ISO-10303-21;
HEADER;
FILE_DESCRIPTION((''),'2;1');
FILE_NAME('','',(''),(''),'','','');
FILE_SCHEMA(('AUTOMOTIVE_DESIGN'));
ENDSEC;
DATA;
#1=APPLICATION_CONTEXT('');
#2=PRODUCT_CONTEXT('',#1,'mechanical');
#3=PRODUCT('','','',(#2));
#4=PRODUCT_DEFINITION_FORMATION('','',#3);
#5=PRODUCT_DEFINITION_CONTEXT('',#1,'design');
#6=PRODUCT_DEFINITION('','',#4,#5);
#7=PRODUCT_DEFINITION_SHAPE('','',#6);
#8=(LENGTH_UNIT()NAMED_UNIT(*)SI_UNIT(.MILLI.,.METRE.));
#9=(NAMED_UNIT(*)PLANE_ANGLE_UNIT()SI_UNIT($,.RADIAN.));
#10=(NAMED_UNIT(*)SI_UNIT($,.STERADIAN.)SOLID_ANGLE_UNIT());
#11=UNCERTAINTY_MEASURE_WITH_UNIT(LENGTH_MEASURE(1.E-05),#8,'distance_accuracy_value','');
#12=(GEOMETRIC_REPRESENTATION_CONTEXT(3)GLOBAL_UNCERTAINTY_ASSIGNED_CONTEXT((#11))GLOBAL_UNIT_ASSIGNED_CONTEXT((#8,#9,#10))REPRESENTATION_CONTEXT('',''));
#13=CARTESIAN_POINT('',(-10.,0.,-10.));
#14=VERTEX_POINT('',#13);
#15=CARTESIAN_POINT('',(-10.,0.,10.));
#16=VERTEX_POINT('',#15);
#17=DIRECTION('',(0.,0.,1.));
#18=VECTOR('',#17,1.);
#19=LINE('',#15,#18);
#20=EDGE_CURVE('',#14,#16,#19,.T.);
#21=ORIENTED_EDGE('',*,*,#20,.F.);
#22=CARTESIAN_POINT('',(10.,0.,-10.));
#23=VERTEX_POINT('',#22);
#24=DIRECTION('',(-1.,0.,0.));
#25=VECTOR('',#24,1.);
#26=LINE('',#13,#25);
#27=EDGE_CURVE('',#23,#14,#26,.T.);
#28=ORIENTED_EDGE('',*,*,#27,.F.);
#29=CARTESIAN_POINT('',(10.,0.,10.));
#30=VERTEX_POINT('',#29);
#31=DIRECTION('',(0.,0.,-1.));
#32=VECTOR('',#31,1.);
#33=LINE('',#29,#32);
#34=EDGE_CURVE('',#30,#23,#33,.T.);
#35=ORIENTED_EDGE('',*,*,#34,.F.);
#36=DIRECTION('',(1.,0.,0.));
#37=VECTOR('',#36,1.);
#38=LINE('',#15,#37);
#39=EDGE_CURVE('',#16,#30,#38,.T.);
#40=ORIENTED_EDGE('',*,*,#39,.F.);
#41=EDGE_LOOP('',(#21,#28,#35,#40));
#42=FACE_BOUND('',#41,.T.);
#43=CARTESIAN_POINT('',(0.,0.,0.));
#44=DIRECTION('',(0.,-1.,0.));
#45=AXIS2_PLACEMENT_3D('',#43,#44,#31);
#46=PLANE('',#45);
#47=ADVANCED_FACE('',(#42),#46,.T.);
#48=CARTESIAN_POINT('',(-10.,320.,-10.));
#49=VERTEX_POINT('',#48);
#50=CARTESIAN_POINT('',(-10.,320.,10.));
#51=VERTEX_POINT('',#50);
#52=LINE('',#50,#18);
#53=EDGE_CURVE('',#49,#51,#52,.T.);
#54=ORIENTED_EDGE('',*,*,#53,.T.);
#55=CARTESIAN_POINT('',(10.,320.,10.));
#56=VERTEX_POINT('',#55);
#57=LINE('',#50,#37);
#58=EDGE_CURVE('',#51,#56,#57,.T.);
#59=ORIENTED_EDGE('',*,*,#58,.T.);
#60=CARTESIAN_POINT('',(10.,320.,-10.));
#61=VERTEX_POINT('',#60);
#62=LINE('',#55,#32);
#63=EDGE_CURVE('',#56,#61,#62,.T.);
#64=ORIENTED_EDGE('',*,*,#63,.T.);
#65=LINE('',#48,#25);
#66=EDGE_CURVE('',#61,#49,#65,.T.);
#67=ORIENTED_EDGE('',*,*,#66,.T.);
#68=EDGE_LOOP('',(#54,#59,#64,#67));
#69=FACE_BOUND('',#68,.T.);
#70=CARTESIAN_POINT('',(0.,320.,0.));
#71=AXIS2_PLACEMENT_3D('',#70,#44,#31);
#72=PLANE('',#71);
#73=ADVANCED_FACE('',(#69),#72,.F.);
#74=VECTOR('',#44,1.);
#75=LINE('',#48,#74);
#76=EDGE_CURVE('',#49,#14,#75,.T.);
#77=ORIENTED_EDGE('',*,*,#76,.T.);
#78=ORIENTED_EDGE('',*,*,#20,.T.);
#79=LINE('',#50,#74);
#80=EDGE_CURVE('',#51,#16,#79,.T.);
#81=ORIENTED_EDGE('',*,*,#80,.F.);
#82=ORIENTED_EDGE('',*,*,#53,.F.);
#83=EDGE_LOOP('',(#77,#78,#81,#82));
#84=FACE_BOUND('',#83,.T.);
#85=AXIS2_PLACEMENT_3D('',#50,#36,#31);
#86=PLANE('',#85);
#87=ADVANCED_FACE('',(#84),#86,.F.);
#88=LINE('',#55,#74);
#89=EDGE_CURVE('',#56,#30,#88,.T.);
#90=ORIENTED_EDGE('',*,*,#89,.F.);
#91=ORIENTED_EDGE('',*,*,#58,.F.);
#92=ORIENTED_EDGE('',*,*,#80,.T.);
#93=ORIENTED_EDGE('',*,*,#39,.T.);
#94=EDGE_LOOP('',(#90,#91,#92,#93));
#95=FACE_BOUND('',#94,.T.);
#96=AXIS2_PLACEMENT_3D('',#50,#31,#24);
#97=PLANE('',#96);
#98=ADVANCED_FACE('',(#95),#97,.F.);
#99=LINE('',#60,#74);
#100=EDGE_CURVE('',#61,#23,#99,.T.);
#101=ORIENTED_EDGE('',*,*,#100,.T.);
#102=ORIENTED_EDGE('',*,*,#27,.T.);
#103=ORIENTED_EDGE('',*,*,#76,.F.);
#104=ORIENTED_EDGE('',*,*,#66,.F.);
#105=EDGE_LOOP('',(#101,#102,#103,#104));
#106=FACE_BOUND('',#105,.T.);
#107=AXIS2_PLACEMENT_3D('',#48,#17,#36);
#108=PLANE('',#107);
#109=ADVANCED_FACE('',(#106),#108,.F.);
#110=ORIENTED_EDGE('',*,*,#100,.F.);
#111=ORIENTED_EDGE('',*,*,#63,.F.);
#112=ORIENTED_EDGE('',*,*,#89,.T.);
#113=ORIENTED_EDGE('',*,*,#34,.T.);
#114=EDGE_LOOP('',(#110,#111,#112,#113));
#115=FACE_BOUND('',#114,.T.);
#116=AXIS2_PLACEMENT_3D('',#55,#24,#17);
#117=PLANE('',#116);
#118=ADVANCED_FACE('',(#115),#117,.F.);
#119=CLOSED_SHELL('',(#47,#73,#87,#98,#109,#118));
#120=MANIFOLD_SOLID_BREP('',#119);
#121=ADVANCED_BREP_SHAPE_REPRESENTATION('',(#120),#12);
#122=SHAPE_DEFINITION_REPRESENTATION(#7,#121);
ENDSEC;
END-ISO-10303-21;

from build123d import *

# Parameters (mm, degrees)
SKETCH1_W           = 20
SKETCH1_H           = 20
BOSS_EXTRUDE1_DEPTH = 320


with BuildPart() as part:
    # Sketch1 → Boss-Extrude1 (new body)
    with BuildSketch(Plane(origin=(0, 0, 0), x_dir=(1, 0, 0), z_dir=(0, 1, 0))):
        Rectangle(SKETCH1_W, SKETCH1_H)
    extrude(amount=BOSS_EXTRUDE1_DEPTH)


solid = part.part
